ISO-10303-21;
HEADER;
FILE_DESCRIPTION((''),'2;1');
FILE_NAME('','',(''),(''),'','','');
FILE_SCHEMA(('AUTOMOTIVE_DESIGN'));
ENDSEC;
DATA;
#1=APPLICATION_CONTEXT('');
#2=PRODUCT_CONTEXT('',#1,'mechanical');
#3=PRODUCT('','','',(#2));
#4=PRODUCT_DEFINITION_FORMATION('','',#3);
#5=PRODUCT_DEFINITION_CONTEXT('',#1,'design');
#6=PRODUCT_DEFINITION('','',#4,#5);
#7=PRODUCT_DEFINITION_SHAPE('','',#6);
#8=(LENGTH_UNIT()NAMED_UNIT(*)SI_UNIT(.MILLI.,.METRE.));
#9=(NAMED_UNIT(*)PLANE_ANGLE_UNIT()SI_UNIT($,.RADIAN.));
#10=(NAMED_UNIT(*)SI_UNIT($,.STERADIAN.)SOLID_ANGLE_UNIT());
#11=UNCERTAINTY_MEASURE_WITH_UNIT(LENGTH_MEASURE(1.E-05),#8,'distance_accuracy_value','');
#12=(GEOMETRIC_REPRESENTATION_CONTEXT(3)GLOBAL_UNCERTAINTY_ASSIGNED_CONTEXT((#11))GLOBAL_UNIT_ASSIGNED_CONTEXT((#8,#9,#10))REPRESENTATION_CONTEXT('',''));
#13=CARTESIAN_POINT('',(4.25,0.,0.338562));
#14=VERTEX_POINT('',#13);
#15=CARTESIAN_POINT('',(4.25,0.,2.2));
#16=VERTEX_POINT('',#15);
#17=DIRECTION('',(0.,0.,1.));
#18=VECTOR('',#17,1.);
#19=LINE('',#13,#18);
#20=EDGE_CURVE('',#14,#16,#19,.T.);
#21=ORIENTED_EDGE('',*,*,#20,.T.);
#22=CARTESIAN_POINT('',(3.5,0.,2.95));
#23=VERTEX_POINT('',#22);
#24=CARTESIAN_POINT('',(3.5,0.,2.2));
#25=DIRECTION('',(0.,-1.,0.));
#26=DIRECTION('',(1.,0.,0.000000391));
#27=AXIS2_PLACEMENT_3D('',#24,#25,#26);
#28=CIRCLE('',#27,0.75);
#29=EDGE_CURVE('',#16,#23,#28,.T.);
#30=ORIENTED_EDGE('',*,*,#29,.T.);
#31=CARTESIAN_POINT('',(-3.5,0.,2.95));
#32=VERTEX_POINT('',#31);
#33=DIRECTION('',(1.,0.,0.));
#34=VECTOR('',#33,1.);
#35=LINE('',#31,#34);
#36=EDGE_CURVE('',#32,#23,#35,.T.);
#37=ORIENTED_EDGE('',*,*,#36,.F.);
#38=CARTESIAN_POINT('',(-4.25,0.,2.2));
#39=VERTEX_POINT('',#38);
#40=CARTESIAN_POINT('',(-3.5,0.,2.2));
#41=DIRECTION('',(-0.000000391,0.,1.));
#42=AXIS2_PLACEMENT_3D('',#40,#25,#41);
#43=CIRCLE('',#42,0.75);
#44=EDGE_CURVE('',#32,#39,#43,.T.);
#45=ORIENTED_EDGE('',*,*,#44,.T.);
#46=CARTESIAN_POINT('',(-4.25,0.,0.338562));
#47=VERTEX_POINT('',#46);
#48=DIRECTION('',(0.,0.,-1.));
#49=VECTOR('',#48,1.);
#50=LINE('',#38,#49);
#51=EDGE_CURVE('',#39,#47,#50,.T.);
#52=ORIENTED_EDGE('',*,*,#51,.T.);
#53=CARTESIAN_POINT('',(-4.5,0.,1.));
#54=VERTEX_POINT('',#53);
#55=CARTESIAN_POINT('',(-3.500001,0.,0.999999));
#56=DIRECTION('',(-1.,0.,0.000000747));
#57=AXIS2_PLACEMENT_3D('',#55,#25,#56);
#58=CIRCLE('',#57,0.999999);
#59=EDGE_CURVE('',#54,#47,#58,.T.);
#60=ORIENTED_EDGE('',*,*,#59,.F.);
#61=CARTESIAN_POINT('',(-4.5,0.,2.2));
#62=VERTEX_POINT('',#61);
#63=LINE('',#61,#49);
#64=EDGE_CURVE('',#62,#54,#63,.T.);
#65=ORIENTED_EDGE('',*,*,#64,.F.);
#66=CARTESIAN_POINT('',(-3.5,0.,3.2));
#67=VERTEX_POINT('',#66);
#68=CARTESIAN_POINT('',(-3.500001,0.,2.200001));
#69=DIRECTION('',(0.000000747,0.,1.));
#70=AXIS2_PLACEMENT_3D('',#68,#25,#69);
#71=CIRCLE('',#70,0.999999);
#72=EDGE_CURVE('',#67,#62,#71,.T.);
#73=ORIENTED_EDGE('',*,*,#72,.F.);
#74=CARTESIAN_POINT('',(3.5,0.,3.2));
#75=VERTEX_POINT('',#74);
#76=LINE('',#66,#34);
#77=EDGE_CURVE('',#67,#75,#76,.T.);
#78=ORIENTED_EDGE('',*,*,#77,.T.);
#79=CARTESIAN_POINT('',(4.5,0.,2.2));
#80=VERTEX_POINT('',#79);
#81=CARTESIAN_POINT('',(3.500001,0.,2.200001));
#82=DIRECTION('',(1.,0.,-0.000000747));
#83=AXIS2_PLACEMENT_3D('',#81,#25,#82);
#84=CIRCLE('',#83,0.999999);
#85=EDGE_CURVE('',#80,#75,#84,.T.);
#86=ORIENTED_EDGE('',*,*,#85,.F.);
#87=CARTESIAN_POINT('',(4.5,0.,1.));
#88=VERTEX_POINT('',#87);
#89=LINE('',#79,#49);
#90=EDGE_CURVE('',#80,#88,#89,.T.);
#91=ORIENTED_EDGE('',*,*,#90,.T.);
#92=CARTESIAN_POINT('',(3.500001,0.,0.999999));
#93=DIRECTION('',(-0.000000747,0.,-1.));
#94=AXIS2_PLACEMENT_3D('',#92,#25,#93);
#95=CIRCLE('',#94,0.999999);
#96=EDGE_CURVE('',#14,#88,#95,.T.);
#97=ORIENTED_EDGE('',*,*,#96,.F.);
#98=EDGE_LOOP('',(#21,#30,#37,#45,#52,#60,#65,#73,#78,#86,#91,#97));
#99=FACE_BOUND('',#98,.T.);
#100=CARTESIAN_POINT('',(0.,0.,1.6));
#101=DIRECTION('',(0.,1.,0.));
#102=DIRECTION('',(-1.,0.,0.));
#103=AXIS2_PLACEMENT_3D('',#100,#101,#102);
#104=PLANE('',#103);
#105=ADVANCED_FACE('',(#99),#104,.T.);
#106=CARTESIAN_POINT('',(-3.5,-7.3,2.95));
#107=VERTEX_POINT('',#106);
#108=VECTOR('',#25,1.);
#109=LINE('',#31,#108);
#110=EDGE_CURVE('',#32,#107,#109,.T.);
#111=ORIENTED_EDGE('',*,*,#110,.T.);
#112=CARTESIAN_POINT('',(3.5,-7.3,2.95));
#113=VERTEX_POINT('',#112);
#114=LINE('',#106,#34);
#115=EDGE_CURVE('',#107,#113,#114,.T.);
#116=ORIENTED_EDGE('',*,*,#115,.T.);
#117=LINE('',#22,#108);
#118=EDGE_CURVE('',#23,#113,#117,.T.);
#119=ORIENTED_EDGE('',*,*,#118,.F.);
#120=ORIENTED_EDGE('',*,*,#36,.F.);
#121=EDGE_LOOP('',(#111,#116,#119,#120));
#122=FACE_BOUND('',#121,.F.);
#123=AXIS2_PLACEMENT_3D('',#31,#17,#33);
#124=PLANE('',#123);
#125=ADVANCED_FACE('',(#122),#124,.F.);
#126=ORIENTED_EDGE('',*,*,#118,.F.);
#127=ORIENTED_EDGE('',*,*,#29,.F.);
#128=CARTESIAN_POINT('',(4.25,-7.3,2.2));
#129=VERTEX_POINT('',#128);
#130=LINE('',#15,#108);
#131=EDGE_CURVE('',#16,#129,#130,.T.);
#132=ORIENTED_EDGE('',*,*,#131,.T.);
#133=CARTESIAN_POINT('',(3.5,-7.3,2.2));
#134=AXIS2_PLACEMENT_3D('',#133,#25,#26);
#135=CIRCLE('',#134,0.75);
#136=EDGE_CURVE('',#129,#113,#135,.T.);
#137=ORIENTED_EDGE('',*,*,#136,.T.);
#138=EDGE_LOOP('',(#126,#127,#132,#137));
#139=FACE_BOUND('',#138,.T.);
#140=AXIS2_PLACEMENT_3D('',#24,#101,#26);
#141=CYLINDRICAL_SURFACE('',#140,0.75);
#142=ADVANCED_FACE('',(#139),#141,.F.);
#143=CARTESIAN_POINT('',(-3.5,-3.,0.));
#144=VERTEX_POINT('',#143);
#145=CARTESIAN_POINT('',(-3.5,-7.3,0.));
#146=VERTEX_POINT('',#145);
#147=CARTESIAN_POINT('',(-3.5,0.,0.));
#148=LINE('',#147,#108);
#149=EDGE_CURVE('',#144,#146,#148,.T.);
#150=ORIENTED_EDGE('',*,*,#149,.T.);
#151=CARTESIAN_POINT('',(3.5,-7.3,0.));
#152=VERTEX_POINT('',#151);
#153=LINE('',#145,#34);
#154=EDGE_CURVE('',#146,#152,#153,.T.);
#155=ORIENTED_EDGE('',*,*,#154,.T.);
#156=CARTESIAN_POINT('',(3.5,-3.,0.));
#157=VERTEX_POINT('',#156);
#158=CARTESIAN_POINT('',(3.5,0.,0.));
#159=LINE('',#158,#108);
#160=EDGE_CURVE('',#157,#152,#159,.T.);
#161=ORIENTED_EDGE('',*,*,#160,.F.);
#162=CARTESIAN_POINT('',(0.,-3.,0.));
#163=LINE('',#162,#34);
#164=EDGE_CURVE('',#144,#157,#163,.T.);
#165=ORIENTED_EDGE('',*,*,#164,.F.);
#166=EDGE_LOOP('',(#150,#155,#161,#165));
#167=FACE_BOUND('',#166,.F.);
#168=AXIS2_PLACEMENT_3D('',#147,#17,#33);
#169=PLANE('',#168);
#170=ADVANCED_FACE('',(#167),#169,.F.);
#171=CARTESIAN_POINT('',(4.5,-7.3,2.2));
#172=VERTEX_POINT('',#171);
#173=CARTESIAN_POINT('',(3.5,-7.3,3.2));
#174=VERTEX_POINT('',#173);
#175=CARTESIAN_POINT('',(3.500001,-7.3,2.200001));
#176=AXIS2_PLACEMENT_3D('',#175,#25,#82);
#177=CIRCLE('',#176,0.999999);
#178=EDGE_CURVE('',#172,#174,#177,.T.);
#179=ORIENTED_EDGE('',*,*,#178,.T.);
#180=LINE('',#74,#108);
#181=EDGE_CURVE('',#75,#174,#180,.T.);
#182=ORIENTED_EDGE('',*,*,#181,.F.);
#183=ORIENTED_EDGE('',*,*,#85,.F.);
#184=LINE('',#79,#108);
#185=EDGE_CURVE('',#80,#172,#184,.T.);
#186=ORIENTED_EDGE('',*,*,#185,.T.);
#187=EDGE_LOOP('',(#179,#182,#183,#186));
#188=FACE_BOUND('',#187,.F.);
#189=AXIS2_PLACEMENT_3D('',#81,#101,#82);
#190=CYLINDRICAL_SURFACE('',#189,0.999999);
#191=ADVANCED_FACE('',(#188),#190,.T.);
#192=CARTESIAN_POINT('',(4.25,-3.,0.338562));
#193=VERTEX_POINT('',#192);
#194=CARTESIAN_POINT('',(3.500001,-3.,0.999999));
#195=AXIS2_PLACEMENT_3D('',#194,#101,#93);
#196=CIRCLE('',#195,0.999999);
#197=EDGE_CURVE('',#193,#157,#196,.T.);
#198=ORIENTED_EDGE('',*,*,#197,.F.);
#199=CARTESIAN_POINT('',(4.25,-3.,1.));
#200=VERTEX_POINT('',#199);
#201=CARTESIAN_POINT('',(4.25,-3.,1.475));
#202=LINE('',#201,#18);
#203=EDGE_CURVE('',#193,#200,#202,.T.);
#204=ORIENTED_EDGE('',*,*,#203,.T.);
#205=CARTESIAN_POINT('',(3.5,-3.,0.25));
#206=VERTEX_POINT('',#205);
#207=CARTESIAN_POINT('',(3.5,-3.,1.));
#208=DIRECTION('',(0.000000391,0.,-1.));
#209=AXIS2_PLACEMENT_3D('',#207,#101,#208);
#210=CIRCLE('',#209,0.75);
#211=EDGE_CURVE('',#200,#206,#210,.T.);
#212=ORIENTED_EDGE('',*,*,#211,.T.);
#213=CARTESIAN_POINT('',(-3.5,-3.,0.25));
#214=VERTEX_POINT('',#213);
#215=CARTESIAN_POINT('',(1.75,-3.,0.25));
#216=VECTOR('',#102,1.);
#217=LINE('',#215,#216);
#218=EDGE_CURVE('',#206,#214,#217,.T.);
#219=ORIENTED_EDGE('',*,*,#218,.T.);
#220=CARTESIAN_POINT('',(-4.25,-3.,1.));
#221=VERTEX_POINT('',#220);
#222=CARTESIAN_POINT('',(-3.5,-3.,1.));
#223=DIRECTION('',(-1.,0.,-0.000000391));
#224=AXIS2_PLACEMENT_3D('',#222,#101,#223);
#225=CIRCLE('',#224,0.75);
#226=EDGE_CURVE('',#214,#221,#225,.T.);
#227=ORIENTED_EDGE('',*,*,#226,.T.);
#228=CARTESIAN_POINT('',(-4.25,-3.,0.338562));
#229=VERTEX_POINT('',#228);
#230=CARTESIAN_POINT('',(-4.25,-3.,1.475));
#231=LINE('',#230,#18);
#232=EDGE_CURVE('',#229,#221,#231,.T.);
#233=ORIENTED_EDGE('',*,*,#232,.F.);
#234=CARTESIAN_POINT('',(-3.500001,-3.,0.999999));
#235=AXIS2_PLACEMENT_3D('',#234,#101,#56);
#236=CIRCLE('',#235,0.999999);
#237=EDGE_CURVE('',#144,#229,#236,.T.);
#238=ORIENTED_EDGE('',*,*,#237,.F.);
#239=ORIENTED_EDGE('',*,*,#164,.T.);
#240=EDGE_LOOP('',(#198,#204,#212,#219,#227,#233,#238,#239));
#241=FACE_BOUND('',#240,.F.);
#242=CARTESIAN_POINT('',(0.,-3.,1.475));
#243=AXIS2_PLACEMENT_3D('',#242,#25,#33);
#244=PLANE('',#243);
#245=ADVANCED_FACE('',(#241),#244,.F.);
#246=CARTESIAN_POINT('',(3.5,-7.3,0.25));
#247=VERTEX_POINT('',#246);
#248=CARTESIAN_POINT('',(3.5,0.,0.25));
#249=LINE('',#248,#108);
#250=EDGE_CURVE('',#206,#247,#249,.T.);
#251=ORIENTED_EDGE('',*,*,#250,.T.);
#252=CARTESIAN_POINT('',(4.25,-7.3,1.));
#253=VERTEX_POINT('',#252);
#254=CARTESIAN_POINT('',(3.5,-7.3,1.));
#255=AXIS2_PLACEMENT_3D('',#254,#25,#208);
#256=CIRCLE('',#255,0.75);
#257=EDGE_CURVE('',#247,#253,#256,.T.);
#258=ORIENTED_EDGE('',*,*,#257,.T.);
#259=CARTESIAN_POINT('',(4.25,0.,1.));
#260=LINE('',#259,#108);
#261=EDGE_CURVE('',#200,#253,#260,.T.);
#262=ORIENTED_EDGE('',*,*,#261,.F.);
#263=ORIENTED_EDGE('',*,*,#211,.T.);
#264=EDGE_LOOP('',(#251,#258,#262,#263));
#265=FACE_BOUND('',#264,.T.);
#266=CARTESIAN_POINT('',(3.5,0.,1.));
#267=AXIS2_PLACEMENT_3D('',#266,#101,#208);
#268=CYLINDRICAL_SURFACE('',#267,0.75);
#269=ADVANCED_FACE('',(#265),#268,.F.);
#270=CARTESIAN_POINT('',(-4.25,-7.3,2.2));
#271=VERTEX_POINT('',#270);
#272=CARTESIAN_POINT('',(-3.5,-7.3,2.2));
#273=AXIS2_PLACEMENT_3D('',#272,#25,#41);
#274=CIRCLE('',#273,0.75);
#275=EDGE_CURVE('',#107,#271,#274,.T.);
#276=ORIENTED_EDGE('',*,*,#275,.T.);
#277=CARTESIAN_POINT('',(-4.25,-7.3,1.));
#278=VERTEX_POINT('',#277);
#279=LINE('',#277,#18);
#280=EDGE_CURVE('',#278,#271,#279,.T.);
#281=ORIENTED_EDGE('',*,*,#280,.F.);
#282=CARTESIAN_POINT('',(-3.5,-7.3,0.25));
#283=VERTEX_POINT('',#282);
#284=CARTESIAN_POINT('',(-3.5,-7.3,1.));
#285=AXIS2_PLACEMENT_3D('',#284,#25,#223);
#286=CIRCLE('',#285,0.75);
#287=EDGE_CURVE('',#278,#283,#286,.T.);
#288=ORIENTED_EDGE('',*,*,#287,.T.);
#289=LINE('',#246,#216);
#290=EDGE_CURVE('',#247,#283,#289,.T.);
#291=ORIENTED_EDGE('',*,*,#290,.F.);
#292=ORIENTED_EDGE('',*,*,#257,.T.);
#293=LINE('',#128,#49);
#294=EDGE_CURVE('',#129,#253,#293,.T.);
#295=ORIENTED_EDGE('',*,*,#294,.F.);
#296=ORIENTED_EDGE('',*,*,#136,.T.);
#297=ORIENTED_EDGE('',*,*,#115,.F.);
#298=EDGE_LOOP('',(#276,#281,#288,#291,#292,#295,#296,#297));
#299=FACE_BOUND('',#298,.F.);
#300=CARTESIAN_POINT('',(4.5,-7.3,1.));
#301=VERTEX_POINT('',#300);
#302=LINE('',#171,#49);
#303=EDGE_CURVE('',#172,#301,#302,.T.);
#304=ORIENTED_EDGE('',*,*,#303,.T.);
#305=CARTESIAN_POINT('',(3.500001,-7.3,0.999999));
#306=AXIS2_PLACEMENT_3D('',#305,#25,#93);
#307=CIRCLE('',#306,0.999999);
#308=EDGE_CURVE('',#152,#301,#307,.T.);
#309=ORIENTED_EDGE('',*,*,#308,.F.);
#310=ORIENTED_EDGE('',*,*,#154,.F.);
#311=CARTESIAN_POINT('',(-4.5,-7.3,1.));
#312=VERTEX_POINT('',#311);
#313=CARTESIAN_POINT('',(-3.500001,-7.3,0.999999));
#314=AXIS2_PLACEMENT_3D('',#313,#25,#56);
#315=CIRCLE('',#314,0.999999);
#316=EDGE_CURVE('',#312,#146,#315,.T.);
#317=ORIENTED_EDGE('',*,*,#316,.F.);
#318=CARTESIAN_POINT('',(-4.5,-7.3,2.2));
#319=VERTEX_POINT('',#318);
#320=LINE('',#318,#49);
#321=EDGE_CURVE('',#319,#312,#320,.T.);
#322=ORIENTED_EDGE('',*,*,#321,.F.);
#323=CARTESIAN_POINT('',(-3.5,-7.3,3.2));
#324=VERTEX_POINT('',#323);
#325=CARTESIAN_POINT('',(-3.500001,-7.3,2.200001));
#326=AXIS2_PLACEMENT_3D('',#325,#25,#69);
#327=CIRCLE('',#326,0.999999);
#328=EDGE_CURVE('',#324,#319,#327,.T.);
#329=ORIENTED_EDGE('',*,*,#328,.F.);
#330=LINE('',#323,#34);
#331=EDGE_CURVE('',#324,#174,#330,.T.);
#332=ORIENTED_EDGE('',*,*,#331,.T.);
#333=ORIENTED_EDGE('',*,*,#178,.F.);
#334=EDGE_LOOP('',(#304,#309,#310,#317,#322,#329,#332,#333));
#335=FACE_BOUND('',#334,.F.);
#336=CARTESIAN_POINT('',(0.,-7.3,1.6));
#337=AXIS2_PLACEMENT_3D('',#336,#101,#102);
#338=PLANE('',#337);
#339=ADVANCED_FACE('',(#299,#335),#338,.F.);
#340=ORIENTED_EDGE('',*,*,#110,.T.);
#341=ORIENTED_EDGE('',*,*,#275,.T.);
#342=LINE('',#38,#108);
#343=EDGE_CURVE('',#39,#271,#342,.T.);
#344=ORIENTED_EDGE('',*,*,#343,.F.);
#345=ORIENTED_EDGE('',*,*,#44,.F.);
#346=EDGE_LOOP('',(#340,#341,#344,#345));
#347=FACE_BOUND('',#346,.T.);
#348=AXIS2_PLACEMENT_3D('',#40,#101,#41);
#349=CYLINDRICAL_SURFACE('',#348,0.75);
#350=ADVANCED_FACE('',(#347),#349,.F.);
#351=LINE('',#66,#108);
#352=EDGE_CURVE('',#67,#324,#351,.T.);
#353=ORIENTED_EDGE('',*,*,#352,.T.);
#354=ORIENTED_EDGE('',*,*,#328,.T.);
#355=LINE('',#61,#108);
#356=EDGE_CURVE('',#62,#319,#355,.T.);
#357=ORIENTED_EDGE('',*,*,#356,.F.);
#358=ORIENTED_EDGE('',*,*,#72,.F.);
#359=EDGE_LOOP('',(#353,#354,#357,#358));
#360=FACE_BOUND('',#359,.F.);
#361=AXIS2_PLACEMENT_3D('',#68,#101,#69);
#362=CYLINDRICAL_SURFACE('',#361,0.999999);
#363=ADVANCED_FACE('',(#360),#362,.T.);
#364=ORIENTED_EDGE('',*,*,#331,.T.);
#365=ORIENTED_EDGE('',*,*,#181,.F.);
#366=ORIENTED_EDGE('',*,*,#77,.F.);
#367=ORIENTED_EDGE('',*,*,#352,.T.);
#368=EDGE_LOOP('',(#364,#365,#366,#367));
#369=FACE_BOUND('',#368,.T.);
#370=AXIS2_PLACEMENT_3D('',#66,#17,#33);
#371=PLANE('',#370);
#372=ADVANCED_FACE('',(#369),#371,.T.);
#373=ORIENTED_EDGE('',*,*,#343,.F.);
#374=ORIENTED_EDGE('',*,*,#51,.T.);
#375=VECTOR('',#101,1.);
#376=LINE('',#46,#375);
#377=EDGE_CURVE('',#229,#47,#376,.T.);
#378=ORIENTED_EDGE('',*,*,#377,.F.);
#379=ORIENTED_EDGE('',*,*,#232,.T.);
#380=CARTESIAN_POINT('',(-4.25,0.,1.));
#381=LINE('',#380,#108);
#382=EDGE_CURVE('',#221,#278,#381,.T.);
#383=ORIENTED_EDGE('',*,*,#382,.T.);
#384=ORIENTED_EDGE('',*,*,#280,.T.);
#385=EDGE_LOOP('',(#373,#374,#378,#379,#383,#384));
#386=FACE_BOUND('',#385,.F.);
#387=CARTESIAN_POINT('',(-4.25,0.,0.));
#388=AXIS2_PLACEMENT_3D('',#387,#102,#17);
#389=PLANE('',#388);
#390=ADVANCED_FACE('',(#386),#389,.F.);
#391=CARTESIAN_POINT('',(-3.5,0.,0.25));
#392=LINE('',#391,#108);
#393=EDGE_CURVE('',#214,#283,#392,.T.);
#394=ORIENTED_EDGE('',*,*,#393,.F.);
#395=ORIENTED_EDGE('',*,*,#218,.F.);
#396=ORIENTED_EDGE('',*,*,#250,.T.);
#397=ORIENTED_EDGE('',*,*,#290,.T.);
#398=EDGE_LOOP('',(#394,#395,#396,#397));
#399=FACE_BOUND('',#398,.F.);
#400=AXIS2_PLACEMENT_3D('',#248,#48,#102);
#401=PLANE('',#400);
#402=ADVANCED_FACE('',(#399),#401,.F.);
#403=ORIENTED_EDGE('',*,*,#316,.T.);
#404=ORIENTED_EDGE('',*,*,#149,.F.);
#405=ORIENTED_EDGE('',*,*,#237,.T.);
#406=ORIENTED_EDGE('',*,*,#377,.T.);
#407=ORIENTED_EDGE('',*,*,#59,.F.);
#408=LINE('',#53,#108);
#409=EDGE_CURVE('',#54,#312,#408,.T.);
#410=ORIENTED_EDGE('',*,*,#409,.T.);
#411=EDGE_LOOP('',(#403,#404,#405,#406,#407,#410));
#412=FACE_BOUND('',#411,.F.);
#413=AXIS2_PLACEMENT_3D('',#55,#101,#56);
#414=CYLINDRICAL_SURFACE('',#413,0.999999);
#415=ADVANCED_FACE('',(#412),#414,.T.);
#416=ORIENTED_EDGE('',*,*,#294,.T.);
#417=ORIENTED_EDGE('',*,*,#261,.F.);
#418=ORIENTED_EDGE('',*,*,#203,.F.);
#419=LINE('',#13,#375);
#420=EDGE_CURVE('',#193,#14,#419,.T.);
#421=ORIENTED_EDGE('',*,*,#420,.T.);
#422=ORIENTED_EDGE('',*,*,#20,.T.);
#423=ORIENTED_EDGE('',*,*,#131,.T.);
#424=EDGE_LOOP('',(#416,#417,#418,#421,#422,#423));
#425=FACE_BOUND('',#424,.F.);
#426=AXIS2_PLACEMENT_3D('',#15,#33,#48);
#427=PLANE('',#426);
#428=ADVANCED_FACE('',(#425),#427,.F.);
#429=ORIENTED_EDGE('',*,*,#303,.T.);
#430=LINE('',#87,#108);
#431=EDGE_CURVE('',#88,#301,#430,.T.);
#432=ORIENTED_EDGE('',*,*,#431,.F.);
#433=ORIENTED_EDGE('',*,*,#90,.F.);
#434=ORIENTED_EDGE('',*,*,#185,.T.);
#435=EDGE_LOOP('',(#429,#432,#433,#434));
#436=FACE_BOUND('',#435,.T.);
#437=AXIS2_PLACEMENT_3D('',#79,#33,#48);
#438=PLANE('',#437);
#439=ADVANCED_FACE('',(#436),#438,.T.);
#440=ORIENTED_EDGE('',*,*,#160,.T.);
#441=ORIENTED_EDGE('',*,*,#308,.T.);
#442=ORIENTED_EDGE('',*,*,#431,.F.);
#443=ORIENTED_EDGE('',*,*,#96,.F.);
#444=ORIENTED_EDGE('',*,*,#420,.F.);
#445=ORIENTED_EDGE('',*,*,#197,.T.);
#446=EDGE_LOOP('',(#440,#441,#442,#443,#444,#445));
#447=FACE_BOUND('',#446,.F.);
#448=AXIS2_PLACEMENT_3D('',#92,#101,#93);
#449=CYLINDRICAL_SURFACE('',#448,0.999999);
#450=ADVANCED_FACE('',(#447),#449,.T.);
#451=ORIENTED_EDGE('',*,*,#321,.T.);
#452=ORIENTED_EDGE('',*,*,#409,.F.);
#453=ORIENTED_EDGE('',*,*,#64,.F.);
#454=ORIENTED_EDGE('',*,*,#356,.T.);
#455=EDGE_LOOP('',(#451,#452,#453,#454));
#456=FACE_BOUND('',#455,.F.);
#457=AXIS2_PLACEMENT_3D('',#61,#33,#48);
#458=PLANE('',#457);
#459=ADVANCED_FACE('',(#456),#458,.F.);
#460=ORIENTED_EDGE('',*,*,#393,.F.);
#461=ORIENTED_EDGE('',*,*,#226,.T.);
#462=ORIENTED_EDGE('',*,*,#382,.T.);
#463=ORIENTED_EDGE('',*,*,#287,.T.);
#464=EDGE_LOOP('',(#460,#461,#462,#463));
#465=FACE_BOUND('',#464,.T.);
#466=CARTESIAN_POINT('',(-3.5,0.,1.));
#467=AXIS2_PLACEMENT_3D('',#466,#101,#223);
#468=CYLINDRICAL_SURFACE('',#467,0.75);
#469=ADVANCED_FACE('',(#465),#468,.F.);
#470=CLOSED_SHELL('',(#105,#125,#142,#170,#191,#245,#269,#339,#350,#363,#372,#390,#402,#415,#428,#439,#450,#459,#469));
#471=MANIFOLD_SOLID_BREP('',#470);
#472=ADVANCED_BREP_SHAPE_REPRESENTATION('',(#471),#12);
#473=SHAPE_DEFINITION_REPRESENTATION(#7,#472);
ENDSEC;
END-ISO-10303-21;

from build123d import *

# Parameters (mm, degrees)
BOX067_W               = 8.5
BOX067_H               = 2.95
BOX067_DEPTH           = 3
FILLET011_R            = 0.75
EXTRUDE016_DEPTH       = 7.3
CUT016_PLACEMENT_ANGLE = 90


with BuildPart() as clone037:
    # Box067 → Box067 (new body)
    with BuildSketch(Plane(origin=(-4.25, 0, 0), x_dir=(1, 0, 0), z_dir=(0, 0, 1))):
        with Locations((4.25, 1.475)):
            Rectangle(BOX067_W, BOX067_H)
    extrude(amount=BOX067_DEPTH)

    # Fillet011
    fillet011_edges = [clone037.edges().sort_by_distance(p)[0] for p in [
        (-4.25, 2.95, 1.5),
        (4.25, 2.95, 1.5),
    ]]
    fillet(fillet011_edges, radius=FILLET011_R)


with BuildPart() as shield:
    # Sketch017 → Extrude016 (new body)
    with BuildSketch(Plane.XY):
        with BuildLine():
            Line((-3.5, 3.2), (3.5, 3.2))
            ThreePointArc((4.5, 2.2), (4.207107, 2.907107), (3.5, 3.2))
            Line((4.5, 2.2), (4.5, 1))
            ThreePointArc((3.5, 0), (4.207107, 0.292893), (4.5, 1))
            Line((-3.5, 0), (3.5, 0))
            ThreePointArc((-4.5, 1), (-4.207107, 0.292893), (-3.5, 0))
            Line((-4.5, 2.2), (-4.5, 1))
            ThreePointArc((-3.5, 3.2), (-4.207107, 2.907107), (-4.5, 2.2))
        make_face()
        with BuildLine():
            Line((-3.5, 2.95), (3.5, 2.95))
            ThreePointArc((4.25, 2.2), (4.03033, 2.73033), (3.5, 2.95))
            Line((4.25, 2.2), (4.25, 1))
            ThreePointArc((3.5, 0.25), (4.03033, 0.46967), (4.25, 1))
            Line((3.5, 0.25), (-3.5, 0.25))
            ThreePointArc((-4.25, 1), (-4.03033, 0.46967), (-3.5, 0.25))
            Line((-4.25, 1), (-4.25, 2.2))
            ThreePointArc((-3.5, 2.95), (-4.03033, 2.73033), (-4.25, 2.2))
        make_face(mode=Mode.SUBTRACT)
    extrude(amount=EXTRUDE016_DEPTH)

    # Cut016: cut Clone037
    add(clone037.part, mode=Mode.SUBTRACT)


with BuildPart() as shield_1:
    # Cut016 placement: moved
    add(shield.part.rotate(Axis((0, 0, 0), (1, 0, 0)), CUT016_PLACEMENT_ANGLE))


solid = shield_1.part
